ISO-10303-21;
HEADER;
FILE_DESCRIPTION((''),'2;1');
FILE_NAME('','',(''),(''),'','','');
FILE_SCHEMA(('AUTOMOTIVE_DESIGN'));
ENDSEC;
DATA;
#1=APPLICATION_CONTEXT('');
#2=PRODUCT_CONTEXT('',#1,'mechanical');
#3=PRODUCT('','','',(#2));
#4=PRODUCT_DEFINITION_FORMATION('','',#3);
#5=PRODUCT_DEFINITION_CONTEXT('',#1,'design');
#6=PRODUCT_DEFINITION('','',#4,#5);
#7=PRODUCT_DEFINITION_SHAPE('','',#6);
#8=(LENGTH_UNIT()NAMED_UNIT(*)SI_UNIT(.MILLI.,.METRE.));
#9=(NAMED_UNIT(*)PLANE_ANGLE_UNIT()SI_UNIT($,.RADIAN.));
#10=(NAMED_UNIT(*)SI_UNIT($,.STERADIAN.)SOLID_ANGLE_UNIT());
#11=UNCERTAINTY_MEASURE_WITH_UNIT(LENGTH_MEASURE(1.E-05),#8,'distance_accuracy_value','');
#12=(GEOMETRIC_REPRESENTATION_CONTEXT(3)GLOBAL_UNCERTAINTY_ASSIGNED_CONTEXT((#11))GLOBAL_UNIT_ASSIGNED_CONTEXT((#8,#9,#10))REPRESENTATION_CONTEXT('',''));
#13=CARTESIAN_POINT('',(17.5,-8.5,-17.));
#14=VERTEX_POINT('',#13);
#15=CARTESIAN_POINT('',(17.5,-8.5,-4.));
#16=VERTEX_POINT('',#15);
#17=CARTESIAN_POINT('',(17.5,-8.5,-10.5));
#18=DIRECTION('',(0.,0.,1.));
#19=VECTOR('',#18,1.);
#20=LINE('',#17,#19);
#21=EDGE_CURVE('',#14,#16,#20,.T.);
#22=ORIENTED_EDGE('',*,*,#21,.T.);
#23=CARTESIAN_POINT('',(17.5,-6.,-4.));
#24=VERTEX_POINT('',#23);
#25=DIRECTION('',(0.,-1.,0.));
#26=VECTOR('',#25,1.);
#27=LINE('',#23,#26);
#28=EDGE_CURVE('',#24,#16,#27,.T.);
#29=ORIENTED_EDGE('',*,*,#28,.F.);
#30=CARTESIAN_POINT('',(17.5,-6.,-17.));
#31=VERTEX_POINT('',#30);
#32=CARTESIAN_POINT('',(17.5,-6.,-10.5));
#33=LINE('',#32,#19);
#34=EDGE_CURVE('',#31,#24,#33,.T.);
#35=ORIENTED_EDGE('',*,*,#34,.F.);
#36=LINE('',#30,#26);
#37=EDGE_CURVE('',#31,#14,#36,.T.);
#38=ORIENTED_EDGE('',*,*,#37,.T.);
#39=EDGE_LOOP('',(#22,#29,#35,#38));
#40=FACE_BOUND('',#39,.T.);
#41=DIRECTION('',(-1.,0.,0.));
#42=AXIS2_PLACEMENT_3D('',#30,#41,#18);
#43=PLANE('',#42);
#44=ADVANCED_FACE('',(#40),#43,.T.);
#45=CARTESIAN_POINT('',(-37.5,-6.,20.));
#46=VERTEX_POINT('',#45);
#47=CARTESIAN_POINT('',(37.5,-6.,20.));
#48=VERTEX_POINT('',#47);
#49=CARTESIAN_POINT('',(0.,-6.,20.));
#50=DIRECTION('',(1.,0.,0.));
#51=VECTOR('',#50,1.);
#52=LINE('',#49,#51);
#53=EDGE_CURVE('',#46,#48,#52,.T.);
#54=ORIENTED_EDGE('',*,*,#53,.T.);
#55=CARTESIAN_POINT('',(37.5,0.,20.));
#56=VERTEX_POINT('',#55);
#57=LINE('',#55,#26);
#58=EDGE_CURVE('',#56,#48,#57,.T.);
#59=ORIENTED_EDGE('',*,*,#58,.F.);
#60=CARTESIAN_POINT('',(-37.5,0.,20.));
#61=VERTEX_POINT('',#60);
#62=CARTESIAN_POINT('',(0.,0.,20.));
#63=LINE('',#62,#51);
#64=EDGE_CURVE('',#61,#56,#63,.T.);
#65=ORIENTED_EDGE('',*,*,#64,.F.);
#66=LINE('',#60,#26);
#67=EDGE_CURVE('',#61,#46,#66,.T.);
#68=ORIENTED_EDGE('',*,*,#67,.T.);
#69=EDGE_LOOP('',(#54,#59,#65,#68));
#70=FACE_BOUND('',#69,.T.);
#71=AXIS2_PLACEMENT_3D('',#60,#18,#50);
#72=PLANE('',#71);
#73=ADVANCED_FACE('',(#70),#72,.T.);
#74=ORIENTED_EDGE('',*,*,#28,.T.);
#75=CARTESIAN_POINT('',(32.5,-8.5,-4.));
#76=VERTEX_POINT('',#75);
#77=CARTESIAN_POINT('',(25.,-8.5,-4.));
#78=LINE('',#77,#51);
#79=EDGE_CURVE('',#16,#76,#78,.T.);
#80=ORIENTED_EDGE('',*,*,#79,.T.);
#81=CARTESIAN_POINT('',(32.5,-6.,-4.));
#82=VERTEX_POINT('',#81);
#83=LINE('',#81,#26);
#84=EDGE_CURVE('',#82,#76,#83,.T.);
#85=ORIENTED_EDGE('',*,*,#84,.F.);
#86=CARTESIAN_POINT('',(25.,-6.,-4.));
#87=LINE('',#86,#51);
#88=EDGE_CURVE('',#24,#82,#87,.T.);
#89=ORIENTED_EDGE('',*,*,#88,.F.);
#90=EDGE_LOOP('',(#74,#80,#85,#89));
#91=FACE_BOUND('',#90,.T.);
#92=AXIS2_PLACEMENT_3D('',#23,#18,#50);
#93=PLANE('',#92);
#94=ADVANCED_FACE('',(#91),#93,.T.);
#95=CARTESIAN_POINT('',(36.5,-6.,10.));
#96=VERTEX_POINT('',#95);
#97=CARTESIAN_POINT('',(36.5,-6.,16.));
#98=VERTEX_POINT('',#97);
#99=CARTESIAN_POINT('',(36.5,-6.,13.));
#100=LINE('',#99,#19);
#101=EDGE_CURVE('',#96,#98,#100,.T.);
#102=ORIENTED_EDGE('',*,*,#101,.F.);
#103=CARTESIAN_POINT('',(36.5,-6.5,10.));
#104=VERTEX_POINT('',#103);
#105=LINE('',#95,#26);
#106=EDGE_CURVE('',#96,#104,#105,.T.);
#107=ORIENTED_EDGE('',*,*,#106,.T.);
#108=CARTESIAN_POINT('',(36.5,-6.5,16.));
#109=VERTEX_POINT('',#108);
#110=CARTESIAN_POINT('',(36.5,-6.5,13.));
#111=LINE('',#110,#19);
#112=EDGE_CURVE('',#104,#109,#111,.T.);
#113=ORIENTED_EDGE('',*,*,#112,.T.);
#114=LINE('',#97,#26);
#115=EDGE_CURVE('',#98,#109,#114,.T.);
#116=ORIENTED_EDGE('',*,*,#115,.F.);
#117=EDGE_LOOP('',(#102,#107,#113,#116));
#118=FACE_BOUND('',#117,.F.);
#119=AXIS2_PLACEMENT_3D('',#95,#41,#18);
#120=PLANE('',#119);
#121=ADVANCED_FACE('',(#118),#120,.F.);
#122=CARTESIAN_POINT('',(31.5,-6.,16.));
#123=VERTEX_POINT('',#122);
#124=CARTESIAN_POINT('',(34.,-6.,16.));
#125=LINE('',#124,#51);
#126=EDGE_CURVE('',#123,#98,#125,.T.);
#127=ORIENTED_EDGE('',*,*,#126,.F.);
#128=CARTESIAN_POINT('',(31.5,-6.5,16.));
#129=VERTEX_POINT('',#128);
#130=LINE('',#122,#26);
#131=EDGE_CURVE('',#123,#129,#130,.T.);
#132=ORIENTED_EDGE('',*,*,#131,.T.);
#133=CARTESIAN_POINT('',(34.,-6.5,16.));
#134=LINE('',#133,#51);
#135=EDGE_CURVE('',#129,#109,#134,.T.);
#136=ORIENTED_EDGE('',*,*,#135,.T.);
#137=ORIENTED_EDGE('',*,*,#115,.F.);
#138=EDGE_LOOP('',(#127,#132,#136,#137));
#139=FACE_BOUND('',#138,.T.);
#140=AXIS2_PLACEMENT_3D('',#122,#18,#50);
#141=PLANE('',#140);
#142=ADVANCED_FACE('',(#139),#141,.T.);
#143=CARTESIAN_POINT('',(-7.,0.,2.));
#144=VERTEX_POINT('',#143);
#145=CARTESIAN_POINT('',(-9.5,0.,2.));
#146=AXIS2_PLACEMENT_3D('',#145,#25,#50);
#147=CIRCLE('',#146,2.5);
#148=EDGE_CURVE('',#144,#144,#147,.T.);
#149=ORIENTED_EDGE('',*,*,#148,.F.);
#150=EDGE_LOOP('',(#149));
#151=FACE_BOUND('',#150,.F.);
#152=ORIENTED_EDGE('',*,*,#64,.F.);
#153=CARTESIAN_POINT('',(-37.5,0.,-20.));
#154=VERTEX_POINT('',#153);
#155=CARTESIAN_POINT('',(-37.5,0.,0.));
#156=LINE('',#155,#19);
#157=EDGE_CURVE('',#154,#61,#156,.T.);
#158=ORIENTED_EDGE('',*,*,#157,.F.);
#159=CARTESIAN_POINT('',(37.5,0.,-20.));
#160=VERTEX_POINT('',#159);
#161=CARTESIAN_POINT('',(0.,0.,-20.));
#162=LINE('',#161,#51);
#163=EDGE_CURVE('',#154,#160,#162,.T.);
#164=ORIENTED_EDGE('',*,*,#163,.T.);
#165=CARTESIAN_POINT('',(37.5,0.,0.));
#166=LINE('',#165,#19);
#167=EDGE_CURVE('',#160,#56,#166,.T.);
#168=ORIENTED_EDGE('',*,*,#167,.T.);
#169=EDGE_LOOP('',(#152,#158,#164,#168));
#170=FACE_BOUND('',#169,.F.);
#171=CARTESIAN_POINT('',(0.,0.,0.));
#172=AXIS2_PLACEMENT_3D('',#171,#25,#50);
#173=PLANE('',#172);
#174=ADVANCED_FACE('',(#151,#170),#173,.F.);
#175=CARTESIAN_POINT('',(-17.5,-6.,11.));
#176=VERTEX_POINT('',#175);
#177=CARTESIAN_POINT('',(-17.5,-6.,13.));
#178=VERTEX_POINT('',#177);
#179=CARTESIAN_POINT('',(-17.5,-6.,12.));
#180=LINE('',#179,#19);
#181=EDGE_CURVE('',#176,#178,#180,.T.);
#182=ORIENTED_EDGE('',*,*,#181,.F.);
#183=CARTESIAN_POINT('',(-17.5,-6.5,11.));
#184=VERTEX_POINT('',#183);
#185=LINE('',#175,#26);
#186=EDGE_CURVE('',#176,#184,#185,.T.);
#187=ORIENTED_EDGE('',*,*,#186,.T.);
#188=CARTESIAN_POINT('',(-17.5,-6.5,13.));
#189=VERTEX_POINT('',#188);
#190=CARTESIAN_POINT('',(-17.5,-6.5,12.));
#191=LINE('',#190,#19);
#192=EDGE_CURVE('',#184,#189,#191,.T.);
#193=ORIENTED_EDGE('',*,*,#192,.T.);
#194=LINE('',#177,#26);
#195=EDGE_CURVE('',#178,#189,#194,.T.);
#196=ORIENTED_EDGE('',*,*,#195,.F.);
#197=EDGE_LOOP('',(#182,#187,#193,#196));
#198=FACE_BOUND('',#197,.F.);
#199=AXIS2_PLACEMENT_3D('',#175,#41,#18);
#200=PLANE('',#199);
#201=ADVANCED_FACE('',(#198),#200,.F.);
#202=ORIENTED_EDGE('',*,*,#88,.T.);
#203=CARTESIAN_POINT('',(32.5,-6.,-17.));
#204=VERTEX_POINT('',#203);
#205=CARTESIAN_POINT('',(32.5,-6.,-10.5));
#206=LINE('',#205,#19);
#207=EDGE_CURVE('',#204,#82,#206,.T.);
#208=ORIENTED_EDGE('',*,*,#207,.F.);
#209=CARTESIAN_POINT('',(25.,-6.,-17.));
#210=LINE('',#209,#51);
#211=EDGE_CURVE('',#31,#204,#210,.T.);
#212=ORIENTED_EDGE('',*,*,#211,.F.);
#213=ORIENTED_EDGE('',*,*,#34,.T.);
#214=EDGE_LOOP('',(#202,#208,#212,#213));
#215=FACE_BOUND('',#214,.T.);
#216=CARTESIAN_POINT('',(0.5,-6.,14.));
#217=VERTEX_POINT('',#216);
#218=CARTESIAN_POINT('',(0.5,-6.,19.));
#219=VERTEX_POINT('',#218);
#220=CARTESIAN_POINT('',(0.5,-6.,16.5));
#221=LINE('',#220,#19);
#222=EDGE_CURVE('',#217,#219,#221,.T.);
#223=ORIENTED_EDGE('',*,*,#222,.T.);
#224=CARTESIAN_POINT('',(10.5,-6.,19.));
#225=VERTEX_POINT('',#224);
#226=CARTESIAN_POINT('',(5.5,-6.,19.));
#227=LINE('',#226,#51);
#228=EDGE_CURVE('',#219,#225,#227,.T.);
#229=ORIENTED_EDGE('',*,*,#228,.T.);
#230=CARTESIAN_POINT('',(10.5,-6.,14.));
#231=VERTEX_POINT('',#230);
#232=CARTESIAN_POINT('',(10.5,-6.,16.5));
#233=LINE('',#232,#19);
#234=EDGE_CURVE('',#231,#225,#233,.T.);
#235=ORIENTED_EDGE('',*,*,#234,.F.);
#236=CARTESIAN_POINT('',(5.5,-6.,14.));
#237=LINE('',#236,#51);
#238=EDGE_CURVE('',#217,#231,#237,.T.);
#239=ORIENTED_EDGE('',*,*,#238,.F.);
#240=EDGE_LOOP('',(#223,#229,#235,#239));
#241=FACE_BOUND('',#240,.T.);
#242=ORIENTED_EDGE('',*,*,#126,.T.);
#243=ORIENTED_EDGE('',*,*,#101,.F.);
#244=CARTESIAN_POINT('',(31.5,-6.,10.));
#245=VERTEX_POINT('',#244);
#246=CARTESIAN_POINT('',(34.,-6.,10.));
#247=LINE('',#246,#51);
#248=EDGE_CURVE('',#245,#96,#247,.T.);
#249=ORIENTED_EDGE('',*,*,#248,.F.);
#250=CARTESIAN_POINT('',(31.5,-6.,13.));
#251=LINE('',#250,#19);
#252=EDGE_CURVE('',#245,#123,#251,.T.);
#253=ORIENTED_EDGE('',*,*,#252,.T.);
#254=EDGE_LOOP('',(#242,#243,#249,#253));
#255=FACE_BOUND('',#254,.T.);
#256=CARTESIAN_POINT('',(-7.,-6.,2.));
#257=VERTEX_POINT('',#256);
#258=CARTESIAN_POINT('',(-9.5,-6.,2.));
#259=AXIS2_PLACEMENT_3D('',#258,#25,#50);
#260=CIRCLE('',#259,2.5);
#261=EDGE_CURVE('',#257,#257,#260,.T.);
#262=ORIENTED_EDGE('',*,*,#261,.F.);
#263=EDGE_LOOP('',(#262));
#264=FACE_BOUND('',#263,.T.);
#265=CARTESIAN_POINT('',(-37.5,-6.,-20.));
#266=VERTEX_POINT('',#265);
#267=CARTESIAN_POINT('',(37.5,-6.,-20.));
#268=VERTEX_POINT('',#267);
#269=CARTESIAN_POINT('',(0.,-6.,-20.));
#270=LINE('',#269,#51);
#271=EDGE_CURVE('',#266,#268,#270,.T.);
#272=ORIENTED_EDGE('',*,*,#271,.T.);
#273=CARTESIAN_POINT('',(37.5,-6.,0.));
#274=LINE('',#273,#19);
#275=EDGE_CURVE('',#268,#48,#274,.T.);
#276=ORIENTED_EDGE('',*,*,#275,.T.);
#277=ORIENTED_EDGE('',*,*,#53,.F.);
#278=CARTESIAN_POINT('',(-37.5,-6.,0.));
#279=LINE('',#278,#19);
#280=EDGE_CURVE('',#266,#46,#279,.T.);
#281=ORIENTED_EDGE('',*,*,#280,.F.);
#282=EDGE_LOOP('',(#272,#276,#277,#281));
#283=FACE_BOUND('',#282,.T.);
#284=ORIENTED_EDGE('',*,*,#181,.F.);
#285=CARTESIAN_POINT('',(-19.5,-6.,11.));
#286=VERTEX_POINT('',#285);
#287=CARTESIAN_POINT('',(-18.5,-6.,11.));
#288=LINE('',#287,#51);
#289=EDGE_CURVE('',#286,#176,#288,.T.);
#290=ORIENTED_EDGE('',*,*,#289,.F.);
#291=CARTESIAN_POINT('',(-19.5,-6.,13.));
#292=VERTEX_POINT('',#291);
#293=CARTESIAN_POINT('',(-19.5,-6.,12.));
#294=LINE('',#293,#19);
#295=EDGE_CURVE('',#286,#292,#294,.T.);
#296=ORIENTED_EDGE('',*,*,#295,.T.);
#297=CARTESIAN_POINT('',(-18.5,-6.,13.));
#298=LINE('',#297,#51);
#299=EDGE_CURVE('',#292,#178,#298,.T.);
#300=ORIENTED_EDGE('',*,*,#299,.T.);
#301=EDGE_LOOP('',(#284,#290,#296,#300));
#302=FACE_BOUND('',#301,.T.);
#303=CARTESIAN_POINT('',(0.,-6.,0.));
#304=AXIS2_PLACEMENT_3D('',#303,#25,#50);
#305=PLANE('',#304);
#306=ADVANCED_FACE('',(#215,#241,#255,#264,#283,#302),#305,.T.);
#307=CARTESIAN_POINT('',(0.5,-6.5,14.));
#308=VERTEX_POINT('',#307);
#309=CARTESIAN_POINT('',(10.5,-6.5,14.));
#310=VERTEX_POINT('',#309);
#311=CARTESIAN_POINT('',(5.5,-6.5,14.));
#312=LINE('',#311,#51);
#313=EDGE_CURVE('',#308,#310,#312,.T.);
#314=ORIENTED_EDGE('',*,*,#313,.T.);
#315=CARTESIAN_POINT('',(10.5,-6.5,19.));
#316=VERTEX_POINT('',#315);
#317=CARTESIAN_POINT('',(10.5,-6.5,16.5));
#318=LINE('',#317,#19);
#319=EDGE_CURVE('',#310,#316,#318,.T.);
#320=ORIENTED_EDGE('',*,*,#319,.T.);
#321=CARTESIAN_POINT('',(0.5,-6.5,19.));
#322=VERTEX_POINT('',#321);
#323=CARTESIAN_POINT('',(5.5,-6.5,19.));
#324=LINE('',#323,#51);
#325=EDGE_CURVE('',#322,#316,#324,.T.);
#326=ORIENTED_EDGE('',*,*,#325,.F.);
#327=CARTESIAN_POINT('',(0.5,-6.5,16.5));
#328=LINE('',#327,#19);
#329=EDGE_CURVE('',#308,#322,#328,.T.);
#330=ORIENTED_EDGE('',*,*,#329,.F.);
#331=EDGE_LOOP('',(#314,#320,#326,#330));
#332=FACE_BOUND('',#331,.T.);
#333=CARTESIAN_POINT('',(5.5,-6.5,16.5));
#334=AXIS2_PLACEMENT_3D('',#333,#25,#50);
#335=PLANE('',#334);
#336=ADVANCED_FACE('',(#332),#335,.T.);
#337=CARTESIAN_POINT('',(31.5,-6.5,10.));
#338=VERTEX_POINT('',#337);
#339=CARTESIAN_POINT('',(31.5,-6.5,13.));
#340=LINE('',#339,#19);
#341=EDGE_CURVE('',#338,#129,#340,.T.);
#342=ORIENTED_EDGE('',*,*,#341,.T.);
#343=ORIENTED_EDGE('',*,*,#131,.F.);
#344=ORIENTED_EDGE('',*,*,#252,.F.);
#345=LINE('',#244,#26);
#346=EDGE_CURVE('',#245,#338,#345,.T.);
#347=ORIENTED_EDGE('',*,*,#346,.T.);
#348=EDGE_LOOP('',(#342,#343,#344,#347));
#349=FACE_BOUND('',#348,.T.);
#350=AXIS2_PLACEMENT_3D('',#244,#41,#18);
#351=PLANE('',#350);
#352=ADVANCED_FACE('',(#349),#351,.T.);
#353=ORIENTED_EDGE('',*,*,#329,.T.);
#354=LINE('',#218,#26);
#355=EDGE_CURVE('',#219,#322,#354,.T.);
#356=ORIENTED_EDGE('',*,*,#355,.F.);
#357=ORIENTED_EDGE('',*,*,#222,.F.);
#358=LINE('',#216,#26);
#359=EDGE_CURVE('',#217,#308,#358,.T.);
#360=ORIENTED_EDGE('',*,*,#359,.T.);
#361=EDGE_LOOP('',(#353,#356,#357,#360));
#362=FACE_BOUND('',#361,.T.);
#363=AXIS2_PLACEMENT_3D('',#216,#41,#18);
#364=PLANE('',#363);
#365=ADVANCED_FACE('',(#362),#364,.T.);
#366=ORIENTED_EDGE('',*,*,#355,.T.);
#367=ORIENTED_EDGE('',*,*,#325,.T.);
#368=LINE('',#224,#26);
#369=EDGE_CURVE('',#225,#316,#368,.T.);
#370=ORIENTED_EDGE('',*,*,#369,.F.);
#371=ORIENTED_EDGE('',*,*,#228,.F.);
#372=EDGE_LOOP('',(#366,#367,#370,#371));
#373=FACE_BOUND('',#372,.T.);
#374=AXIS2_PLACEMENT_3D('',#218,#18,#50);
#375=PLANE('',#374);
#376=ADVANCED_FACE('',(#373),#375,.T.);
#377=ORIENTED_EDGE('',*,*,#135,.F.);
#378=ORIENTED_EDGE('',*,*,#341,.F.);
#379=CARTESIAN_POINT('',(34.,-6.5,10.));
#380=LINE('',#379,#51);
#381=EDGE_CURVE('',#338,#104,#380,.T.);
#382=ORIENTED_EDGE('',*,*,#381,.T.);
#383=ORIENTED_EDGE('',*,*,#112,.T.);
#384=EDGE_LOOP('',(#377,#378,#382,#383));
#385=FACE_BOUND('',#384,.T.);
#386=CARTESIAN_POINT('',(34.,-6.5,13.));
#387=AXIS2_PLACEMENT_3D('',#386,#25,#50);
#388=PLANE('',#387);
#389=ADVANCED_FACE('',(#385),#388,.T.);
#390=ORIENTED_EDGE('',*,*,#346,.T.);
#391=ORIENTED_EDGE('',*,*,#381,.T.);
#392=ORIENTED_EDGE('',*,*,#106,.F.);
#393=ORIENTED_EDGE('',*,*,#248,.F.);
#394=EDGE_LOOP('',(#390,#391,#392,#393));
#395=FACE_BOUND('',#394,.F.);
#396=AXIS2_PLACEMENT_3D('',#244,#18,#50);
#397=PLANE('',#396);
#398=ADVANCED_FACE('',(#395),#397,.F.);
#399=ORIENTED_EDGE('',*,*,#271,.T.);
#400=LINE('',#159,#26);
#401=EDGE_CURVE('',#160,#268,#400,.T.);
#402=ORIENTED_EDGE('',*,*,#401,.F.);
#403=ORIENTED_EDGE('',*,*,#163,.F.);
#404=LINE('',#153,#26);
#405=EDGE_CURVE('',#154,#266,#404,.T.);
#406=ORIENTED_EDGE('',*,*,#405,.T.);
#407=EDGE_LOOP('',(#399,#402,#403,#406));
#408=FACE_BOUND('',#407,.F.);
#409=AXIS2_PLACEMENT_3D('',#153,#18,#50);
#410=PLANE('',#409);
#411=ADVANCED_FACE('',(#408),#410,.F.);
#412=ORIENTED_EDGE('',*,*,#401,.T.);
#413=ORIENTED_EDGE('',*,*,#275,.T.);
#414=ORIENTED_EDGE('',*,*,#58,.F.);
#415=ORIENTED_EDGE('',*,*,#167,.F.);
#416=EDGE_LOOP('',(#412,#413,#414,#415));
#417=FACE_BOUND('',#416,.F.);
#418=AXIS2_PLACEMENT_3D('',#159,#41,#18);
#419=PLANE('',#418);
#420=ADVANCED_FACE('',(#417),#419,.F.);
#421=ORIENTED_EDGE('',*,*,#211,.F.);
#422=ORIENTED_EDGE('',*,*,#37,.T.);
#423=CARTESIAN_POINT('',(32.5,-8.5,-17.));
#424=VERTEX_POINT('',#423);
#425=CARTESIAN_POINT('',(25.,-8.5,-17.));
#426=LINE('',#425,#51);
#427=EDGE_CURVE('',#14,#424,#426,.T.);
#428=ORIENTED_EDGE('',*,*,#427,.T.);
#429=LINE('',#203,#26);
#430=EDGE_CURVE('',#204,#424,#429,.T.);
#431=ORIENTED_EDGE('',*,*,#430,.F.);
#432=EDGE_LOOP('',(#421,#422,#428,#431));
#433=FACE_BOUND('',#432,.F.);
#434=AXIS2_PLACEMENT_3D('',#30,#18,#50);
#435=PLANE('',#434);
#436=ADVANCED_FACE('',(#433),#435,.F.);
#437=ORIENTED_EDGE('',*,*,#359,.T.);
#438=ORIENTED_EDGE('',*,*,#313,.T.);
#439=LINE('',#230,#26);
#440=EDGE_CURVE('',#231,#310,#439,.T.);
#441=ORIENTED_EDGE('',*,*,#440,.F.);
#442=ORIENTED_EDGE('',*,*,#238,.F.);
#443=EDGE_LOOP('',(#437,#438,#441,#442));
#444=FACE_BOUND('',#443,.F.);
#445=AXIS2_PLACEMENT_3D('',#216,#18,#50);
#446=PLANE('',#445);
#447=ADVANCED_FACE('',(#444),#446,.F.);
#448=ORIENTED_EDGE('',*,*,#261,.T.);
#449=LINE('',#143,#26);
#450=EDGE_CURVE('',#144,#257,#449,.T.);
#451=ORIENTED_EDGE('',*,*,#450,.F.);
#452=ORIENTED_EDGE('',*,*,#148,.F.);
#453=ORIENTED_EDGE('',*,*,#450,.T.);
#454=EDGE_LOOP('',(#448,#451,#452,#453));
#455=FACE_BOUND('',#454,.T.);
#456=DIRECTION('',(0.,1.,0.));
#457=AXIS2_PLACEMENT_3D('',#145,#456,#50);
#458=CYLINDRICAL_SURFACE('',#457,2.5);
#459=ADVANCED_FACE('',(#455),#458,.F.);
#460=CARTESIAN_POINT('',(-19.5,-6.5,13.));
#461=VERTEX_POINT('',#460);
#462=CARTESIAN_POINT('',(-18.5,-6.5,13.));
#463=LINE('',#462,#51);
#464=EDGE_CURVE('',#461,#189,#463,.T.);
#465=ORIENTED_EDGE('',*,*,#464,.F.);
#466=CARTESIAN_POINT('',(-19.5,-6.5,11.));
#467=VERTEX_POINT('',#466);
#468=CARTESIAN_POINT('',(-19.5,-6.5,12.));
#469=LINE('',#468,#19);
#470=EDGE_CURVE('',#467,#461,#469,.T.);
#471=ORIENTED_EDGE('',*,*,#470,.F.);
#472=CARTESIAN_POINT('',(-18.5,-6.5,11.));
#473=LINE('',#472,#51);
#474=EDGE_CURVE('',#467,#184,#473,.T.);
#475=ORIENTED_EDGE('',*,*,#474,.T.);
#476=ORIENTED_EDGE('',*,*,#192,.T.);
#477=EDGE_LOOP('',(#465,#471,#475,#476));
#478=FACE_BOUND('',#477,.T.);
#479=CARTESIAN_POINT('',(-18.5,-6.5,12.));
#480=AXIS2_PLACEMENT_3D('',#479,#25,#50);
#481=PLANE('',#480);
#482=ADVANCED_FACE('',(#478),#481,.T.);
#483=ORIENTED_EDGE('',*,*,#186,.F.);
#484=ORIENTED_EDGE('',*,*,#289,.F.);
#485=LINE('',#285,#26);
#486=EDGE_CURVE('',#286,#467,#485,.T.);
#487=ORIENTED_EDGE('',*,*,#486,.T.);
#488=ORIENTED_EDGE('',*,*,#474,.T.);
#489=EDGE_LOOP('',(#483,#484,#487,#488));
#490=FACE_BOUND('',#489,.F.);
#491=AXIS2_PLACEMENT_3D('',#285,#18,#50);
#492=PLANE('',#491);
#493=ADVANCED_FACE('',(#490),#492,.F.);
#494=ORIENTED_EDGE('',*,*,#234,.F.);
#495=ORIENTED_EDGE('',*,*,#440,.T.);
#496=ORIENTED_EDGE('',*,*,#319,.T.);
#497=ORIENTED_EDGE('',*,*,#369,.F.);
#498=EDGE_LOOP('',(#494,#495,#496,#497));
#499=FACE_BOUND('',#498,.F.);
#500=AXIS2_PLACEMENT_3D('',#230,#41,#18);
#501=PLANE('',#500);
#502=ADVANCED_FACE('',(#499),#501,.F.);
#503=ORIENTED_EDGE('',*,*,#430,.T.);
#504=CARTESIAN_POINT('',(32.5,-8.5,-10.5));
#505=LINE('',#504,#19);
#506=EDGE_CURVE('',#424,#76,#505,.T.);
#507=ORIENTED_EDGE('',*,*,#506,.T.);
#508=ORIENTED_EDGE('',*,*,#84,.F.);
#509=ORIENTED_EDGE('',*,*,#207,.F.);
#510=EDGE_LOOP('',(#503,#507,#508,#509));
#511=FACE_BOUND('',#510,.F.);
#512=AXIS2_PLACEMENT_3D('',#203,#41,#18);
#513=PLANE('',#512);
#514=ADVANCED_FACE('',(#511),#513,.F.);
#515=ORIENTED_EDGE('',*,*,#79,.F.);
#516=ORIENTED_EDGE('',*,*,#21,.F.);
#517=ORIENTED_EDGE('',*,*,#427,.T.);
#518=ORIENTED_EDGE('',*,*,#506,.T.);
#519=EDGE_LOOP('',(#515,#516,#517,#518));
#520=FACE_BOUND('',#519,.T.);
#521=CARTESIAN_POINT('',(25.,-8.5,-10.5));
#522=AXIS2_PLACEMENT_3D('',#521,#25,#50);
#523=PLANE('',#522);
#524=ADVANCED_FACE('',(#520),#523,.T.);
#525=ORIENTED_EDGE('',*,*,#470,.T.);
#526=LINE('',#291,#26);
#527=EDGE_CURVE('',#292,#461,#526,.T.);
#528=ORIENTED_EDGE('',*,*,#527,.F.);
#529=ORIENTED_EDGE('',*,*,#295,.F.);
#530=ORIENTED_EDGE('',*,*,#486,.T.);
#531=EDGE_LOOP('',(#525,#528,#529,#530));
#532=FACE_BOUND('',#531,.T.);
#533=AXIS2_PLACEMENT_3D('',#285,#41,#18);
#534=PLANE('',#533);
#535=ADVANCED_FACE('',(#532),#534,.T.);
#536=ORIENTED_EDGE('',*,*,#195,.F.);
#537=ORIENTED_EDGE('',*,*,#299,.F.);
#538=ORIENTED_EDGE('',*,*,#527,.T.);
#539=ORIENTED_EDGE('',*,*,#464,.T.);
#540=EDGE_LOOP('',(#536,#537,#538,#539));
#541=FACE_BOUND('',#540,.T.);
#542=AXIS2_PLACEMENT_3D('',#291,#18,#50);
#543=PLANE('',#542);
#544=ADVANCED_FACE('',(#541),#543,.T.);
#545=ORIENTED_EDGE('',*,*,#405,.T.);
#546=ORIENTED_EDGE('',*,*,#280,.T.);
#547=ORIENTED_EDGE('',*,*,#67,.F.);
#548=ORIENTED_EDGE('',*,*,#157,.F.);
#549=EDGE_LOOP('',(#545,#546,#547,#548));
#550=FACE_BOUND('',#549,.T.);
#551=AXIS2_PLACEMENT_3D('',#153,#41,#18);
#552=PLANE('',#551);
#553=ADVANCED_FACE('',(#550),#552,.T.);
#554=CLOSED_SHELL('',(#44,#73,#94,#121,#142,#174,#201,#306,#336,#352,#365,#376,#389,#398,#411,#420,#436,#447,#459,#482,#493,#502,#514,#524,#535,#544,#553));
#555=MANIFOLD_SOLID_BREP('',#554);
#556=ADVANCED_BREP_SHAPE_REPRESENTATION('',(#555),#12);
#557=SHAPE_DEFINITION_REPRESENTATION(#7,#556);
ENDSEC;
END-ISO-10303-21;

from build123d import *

# Parameters (mm, degrees)
F0_W     = 75
F0_H     = 40
F0_R     = 2.5
F1_DEPTH = 6
F2_W     = 10
F2_H     = 5
F2_W_2   = 5
F2_H_2   = 6
F2_W_3   = 2
F2_H_3   = 2
F3_DEPTH = 0.5
F4_W     = 15
F4_H     = 13
F5_DEPTH = 2.5


with BuildPart() as f1:
    # F0 (on Front) → F1 (new body)
    with BuildSketch(Plane.XZ):
        Rectangle(F0_W, F0_H)
        with Locations((-9.5, 2)):
            Circle(F0_R, mode=Mode.SUBTRACT)
    extrude(amount=F1_DEPTH)

    # F2 (on face) → F3 (join)
    with BuildSketch(Plane.XZ.offset(6)):
        with Locations((5.5, 16.5)):
            Rectangle(F2_W, F2_H)
        with Locations((34, 13)):
            Rectangle(F2_W_2, F2_H_2)
        with Locations((-18.5, 12)):
            Rectangle(F2_W_3, F2_H_3)
    extrude(amount=F3_DEPTH)

    # F4 (on face) → F5 (join)
    with BuildSketch(Plane.XZ.offset(6)):
        with Locations((25, -10.5)):
            Rectangle(F4_W, F4_H)
    extrude(amount=F5_DEPTH)


solid = f1.part
